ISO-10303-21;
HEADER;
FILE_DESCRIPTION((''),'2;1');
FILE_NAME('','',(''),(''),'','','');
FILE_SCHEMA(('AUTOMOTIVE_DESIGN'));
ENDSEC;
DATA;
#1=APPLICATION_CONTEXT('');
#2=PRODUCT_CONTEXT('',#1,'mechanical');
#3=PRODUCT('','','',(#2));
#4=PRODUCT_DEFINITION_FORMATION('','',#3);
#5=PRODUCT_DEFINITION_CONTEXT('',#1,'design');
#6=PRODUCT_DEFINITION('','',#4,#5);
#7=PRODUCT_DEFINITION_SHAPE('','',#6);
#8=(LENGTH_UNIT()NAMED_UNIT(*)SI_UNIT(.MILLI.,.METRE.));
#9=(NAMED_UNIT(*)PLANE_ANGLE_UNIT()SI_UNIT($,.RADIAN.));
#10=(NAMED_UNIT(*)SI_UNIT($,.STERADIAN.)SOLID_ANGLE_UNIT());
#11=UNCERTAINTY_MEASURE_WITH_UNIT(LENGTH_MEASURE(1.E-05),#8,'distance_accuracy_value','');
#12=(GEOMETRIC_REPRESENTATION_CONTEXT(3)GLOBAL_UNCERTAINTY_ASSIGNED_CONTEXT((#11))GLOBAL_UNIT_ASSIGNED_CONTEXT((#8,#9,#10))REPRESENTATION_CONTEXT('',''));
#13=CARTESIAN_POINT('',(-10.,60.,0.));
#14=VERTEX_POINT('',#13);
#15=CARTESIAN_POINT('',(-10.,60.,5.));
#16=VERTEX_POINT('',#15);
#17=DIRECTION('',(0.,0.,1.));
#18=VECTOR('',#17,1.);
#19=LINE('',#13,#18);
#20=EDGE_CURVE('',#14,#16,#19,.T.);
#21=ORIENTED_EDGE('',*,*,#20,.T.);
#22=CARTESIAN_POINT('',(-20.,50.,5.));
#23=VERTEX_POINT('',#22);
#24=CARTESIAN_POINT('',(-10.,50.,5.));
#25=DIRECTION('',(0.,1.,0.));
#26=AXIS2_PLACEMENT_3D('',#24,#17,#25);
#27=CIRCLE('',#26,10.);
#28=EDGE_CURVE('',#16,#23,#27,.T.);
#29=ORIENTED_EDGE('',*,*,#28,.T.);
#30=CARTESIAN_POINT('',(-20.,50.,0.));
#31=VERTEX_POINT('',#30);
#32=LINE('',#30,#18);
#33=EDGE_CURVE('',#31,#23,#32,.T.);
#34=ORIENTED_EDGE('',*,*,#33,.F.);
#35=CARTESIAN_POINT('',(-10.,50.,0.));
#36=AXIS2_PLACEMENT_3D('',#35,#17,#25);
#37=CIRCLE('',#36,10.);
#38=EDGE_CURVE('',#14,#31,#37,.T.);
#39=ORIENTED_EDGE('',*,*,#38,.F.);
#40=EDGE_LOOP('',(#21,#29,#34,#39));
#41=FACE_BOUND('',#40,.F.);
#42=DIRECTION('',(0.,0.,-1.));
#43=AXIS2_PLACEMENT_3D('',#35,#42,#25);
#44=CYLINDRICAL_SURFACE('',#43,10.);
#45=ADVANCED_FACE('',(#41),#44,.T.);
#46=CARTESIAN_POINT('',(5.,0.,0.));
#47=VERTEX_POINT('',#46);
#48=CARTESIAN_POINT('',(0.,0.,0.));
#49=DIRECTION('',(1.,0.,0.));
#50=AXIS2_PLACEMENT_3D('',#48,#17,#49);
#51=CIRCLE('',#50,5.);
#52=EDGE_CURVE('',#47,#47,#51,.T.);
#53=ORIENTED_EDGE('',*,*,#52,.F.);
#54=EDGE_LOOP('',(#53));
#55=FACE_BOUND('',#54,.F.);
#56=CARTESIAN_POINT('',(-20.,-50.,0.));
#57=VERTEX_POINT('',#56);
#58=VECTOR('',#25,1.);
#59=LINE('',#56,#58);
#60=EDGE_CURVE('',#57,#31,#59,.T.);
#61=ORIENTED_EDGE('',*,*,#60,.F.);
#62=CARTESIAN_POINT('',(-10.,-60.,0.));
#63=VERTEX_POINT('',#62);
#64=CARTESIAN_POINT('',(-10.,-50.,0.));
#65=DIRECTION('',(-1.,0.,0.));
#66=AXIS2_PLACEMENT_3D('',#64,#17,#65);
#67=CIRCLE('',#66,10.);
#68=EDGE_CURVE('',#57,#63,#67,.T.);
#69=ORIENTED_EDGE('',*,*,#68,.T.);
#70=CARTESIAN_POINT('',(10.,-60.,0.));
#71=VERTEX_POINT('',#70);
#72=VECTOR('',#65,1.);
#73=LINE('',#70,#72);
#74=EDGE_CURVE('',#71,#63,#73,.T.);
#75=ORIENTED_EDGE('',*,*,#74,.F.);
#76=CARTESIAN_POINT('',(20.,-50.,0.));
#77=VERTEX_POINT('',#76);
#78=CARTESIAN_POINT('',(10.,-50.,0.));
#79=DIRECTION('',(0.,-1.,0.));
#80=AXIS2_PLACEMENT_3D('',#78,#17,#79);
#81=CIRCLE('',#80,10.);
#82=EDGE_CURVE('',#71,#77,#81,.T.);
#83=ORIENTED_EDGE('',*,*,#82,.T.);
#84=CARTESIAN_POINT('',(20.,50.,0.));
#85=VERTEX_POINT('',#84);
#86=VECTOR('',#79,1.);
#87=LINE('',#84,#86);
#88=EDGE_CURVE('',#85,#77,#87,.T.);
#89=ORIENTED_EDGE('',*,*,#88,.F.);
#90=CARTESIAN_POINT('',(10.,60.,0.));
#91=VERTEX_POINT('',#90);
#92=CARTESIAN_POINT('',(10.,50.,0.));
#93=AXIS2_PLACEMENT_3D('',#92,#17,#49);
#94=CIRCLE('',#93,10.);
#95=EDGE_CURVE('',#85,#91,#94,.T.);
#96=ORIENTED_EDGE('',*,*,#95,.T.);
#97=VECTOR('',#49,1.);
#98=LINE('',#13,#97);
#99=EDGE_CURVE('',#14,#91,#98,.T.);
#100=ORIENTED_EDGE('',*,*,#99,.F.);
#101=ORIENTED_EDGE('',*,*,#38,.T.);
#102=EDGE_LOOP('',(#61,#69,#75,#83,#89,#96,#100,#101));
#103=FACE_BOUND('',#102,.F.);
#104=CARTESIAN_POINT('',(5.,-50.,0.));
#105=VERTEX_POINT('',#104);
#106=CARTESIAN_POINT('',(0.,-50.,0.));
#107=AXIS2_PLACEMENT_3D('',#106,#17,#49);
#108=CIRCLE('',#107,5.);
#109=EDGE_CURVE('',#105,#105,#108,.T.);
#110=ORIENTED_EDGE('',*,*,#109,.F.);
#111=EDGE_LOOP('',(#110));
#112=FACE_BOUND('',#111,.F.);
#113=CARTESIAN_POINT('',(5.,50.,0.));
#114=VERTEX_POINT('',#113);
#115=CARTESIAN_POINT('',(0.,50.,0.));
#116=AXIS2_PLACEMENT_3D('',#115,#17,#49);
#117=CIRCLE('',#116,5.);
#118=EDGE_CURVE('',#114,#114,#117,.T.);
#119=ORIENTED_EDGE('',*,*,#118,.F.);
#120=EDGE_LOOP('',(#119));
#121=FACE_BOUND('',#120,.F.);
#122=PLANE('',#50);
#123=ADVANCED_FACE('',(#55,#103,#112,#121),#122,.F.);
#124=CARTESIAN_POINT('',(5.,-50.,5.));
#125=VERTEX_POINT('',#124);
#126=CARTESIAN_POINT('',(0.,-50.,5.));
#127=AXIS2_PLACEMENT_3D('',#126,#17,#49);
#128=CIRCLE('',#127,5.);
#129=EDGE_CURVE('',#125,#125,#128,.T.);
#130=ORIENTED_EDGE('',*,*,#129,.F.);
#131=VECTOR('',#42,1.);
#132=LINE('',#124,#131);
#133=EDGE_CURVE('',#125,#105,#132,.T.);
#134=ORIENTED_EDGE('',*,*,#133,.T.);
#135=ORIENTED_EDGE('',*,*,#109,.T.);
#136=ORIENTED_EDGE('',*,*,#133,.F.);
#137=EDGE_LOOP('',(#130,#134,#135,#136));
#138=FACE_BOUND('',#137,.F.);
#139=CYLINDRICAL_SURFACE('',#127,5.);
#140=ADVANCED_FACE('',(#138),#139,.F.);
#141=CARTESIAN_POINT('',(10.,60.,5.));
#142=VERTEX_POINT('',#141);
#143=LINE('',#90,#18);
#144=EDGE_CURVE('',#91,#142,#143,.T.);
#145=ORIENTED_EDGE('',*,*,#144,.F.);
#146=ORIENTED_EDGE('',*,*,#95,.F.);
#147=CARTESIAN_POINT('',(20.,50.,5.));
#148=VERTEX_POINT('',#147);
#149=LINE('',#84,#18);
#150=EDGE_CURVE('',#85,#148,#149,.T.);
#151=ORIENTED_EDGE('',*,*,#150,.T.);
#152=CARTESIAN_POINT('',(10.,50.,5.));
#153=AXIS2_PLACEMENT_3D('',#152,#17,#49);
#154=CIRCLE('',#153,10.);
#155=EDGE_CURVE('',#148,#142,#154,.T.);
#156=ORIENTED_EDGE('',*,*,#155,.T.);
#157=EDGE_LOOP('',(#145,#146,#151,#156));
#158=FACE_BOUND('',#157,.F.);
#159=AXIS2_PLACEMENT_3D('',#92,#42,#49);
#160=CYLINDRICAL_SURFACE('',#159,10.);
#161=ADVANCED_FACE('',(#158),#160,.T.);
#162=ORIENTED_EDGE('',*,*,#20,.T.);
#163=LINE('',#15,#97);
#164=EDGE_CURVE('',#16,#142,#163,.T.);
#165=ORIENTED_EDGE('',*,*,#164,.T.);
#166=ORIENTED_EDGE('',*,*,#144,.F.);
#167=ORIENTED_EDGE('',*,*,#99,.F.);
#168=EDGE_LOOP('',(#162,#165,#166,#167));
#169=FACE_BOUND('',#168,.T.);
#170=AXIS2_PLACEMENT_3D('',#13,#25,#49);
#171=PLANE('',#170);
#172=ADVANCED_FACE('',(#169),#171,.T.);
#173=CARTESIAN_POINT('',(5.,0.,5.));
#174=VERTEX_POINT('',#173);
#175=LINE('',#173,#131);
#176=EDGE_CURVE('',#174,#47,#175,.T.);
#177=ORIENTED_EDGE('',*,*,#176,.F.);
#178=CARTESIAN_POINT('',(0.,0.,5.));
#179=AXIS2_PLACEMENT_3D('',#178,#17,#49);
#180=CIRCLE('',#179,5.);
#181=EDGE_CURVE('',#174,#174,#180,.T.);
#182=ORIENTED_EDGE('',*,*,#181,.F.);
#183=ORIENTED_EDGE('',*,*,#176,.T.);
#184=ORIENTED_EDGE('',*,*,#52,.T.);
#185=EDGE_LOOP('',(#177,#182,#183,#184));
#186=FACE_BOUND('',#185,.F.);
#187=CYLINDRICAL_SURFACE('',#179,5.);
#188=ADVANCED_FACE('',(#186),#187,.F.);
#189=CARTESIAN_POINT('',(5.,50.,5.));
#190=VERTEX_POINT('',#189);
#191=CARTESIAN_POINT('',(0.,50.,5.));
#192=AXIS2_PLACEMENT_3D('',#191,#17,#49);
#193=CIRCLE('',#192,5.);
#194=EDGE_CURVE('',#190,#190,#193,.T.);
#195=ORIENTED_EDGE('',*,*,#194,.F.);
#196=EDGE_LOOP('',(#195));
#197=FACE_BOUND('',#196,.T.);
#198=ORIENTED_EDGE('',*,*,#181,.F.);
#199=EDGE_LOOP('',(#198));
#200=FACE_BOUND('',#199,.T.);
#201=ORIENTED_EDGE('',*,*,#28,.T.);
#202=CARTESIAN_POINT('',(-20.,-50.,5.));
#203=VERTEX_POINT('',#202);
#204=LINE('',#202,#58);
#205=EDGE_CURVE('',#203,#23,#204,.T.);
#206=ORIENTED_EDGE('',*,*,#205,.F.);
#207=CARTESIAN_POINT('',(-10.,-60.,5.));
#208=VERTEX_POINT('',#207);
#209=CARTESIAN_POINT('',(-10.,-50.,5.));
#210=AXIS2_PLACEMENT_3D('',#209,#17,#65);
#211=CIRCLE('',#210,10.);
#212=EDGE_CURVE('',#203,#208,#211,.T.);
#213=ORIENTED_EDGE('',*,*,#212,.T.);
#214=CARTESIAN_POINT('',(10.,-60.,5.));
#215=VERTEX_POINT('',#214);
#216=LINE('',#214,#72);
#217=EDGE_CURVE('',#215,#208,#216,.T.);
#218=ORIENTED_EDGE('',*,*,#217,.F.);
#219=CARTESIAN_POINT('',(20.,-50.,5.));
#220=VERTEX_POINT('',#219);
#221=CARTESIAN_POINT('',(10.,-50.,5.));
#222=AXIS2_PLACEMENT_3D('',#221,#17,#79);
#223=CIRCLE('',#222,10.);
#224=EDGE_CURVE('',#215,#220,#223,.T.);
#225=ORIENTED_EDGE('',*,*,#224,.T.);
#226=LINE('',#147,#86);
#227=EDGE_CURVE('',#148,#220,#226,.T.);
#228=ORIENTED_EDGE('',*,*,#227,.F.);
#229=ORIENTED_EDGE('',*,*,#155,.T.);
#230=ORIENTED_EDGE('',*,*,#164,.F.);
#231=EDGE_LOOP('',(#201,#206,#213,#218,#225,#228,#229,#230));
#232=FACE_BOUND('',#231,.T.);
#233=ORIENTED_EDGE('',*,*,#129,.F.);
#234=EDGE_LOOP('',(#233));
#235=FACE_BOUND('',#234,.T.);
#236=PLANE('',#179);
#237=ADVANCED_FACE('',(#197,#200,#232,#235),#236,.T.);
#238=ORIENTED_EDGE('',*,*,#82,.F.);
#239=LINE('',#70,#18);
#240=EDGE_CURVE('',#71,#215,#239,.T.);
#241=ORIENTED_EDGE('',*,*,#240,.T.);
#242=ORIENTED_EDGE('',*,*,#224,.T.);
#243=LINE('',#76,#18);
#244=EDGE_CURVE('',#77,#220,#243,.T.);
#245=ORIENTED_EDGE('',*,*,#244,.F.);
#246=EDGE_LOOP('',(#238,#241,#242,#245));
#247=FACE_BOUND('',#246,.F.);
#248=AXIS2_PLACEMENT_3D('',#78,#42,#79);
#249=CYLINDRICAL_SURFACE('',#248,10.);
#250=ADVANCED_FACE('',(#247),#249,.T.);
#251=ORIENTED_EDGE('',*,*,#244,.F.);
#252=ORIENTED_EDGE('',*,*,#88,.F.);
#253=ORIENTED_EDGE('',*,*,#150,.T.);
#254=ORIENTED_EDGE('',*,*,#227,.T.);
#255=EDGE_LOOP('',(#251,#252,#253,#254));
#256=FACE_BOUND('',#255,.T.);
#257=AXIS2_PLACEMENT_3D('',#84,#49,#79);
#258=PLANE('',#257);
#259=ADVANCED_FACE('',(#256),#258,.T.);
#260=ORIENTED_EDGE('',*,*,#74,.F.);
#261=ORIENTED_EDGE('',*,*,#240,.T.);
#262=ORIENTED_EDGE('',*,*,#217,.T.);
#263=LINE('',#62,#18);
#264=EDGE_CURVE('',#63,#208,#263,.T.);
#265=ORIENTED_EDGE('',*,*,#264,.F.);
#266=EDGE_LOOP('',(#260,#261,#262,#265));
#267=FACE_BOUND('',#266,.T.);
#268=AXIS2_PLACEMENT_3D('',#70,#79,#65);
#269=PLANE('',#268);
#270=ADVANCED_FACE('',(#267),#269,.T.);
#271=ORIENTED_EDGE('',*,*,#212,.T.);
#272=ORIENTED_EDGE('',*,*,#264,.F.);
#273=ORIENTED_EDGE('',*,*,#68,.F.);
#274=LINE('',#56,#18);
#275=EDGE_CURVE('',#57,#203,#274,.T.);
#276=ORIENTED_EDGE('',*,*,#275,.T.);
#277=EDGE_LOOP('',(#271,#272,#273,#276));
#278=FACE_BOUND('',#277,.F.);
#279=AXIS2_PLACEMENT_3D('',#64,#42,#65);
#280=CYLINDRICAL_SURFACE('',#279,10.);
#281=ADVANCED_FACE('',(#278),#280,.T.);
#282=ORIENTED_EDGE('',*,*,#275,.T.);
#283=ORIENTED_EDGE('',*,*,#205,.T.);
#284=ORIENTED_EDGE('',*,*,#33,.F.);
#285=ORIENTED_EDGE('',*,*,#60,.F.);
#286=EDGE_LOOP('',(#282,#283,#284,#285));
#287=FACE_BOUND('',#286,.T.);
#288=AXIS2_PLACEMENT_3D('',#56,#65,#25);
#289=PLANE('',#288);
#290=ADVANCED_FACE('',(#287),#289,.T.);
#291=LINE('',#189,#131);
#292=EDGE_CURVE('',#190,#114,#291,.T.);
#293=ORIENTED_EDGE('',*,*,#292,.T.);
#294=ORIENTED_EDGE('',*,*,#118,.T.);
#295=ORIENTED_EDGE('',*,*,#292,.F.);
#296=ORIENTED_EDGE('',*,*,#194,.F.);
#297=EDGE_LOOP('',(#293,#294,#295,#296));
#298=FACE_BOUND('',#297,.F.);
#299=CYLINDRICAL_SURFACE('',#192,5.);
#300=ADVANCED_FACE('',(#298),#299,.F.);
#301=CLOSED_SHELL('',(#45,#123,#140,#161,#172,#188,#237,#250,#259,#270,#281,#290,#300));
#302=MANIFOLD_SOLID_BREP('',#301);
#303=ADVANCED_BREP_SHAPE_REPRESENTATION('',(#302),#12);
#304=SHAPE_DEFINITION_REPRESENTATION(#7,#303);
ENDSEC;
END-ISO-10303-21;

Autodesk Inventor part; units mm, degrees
ref_plane "YZ Plane" through (0, 0, 0) normal (1, 0, 0) x (0, 1, 0)
ref_plane "XZ Plane" through (0, 0, 0) normal (0, 1, 0) x (-1, 0, 0)
ref_plane "XY Plane" through (0, 0, 0) normal (0, 0, 1) x (1, 0, 0)
sketch "Sketch1" plane through (0, 0, 0) normal (0, 0, 1) x (1, 0, 0)
  line L0 (-10, 60) -> (10, 60)
  line L1 (20, 50) -> (20, -50)
  line L2 (10, -60) -> (-10, -60)
  line L3 (-20, -50) -> (-20, 50)
  arc A0 (-10, 60) -> (-20, 50) centre (-10, 50) ccw
  arc A1 (20, 50) -> (10, 60) centre (10, 50) ccw
  arc A2 (10, -60) -> (20, -50) centre (10, -50) ccw
  arc A3 (-20, -50) -> (-10, -60) centre (-10, -50) ccw
  point P0 (0, 0)
  point P1 (20, 0)
  point P2 (0, 60)
  dimension "d0" = 10
  dimension "d1" = 40
  dimension "d2" = 120
extrude "Extrusion1" add sketch "Sketch1" along normal blind 5
sketch "Sketch2" plane through (0, 0, 5) normal (0, 0, 1) x (1, 0, 0)
  circle A0 centre (0, 50) radius 5
  line L0 (-20, 50) -> (-20, -50) construction
  line L1 (-20, 0) -> (20, 0) construction
  line L2 (20, -50) -> (20, 50) construction
  line L3 (10, 60) -> (-10, 60) projected
  circle A1 centre (0, -50) radius 5
  circle A2 centre (0, 0) radius 5
  point P0 (0, 0)
  dimension "d5" = 10
  dimension "d7" = 10
  dimension "d8" = 10
extrude "Extrusion2" cut sketch "Sketch2" against normal up to surface (5 mm away)
properties part number "mitad"
